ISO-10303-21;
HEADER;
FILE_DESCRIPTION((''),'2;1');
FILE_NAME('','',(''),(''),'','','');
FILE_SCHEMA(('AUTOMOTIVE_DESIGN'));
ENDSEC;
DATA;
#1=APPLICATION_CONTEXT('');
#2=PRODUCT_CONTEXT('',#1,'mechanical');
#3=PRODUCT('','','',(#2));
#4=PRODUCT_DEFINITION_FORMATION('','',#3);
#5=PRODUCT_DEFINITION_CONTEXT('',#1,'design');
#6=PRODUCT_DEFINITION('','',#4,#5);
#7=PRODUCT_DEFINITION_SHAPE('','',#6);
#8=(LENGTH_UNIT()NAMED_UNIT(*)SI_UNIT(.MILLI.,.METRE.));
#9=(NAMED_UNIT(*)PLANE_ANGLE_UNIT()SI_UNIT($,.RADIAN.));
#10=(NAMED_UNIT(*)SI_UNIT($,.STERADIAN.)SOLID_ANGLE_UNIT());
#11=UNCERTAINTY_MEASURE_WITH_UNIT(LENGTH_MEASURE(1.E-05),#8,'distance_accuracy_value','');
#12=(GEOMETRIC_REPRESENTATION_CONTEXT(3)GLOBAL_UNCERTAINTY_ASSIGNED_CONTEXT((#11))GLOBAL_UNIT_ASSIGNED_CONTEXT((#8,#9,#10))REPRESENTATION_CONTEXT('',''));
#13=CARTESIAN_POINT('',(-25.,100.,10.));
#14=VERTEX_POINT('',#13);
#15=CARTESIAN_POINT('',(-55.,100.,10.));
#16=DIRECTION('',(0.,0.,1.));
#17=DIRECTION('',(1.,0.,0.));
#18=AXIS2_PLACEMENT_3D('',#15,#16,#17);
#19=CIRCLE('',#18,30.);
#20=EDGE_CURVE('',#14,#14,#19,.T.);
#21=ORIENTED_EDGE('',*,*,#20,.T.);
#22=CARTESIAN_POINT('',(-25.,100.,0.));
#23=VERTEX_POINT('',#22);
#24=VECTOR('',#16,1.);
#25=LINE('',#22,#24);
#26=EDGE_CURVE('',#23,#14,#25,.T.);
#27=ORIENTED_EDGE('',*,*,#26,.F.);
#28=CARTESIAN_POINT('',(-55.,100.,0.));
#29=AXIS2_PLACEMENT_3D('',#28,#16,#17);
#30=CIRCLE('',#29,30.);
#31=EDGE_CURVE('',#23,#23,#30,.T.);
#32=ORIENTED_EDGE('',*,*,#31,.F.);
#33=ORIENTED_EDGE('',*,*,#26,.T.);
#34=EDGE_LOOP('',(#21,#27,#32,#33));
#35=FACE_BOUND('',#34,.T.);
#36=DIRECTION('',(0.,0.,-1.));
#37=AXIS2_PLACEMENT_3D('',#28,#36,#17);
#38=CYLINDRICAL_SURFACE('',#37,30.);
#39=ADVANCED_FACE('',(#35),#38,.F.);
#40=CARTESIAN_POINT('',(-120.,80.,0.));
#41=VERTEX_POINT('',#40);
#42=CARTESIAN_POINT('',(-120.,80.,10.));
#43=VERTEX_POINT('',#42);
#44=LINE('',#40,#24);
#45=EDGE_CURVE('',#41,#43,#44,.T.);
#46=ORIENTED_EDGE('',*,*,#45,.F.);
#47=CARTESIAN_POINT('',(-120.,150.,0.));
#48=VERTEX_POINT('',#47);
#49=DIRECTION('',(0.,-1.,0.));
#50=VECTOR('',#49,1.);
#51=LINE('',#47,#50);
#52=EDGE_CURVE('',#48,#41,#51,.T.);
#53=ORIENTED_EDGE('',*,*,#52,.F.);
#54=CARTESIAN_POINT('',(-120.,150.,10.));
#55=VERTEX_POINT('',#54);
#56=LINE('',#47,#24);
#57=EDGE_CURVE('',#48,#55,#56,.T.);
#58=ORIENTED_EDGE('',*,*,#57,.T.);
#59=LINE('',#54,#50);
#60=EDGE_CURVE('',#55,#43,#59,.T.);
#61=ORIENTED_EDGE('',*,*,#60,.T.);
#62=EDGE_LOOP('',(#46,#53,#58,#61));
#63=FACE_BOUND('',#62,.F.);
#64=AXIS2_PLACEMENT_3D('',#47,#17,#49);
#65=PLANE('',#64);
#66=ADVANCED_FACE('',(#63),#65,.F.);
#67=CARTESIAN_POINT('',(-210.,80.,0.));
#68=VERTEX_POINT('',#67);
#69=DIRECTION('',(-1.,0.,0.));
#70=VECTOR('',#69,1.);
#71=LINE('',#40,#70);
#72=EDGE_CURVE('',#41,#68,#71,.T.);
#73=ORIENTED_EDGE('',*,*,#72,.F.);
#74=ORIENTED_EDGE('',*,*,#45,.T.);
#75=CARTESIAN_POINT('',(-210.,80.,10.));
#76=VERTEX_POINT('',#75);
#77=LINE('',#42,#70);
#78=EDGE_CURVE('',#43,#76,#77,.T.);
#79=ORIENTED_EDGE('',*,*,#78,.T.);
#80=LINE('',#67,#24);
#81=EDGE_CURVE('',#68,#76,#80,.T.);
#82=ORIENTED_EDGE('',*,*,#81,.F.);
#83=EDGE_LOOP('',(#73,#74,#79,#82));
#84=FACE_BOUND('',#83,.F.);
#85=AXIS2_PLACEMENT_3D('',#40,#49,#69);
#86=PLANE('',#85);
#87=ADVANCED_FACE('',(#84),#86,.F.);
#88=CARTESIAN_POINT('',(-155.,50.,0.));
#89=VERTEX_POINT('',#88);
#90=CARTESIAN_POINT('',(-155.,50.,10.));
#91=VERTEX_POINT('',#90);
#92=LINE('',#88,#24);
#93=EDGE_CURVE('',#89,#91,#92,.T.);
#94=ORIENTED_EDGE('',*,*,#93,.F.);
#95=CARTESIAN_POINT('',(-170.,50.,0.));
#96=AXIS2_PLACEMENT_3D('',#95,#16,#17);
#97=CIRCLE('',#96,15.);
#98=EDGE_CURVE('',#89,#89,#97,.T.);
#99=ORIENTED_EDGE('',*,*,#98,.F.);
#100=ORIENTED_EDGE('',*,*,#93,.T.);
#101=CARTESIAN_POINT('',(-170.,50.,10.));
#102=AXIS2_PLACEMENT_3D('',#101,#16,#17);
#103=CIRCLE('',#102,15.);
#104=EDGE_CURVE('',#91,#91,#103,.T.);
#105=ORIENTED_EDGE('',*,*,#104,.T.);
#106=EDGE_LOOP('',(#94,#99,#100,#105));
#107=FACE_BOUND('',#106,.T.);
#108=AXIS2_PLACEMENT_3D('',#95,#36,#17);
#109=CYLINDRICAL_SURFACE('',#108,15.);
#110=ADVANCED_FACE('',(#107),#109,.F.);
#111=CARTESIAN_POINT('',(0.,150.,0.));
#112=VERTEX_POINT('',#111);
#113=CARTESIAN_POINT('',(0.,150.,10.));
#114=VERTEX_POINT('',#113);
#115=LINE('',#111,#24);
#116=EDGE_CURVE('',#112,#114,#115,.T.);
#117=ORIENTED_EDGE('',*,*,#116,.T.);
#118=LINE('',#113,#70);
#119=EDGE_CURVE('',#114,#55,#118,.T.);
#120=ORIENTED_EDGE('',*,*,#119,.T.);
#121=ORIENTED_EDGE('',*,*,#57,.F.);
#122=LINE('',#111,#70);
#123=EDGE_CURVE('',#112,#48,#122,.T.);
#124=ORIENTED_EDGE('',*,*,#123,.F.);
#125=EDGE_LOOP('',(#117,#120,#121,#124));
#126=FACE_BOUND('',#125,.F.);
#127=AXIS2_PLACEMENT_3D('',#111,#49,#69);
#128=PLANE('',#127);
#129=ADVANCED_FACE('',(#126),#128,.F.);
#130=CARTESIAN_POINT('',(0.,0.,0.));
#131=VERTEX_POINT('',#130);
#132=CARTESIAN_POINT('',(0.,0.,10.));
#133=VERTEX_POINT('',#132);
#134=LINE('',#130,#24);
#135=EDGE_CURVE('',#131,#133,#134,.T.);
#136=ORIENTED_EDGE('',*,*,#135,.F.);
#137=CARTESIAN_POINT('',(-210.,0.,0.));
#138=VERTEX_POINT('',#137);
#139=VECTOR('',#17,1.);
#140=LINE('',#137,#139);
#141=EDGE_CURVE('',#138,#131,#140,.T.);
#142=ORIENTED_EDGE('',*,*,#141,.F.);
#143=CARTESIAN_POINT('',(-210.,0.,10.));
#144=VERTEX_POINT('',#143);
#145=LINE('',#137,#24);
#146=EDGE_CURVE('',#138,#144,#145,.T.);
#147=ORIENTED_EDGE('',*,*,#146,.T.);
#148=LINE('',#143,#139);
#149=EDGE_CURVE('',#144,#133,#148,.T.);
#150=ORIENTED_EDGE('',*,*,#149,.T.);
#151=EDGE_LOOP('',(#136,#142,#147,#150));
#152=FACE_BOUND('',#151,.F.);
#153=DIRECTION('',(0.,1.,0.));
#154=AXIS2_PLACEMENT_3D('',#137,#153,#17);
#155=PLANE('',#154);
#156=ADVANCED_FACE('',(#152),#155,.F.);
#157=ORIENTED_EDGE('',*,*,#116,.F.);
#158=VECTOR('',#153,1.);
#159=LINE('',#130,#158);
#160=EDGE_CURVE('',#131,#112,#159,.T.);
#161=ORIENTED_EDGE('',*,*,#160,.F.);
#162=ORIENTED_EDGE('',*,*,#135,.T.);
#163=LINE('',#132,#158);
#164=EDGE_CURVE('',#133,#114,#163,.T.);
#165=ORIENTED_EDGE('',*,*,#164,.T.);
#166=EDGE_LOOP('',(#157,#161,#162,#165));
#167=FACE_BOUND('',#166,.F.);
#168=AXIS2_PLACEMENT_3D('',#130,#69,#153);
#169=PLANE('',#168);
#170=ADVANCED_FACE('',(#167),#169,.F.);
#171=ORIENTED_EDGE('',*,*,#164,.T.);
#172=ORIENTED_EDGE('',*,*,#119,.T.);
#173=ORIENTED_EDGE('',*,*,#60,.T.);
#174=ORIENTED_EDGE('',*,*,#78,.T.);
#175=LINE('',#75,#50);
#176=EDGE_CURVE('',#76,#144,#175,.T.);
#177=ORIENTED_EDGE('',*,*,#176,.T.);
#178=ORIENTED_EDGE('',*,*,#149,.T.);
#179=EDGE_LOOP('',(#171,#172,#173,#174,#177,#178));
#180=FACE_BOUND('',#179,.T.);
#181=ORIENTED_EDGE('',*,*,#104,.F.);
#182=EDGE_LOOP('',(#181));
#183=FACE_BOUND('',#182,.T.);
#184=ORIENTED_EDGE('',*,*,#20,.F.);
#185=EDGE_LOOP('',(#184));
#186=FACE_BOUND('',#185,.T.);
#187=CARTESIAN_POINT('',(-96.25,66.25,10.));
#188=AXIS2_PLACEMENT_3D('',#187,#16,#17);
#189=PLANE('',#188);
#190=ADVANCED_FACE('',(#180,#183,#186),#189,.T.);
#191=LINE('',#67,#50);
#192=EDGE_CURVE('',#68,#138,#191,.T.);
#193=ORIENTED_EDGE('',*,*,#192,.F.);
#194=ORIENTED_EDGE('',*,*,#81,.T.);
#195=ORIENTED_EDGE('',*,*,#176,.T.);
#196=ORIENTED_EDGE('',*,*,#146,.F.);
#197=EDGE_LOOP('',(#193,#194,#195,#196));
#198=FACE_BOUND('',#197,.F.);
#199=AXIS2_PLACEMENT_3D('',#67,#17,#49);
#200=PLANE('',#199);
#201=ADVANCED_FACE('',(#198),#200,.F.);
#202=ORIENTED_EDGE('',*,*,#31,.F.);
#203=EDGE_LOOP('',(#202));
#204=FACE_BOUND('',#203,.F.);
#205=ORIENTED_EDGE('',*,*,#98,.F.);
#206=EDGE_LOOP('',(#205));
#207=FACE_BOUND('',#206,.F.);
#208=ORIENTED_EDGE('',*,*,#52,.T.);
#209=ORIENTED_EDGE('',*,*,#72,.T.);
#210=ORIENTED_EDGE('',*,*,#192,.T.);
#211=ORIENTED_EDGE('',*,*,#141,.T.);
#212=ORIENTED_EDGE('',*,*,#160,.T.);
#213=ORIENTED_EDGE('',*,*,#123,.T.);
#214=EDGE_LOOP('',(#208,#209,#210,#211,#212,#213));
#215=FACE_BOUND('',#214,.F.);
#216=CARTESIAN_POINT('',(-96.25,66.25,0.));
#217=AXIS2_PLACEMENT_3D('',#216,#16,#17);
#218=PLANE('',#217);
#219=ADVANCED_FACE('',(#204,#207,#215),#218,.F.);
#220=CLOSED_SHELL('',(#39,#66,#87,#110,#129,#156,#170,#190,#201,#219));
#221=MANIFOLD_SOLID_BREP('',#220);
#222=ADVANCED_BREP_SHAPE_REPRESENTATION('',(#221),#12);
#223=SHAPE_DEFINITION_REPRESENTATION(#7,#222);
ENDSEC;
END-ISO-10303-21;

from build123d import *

# Parameters (mm, degrees)
F0_R     = 15
F0_R_2   = 30
F1_DEPTH = 10


with BuildPart() as f1:
    # F0 (on Top) → F1 (new body)
    with BuildSketch(Plane.XY):
        Polygon((-210, 0), (0, 0), (0, 150), (-120, 150), (-120, 80), (-210, 80), align=None)
        with Locations((-170, 50)):
            Circle(F0_R, mode=Mode.SUBTRACT)
        with Locations((-55, 100)):
            Circle(F0_R_2, mode=Mode.SUBTRACT)
    extrude(amount=F1_DEPTH)


solid = f1.part
